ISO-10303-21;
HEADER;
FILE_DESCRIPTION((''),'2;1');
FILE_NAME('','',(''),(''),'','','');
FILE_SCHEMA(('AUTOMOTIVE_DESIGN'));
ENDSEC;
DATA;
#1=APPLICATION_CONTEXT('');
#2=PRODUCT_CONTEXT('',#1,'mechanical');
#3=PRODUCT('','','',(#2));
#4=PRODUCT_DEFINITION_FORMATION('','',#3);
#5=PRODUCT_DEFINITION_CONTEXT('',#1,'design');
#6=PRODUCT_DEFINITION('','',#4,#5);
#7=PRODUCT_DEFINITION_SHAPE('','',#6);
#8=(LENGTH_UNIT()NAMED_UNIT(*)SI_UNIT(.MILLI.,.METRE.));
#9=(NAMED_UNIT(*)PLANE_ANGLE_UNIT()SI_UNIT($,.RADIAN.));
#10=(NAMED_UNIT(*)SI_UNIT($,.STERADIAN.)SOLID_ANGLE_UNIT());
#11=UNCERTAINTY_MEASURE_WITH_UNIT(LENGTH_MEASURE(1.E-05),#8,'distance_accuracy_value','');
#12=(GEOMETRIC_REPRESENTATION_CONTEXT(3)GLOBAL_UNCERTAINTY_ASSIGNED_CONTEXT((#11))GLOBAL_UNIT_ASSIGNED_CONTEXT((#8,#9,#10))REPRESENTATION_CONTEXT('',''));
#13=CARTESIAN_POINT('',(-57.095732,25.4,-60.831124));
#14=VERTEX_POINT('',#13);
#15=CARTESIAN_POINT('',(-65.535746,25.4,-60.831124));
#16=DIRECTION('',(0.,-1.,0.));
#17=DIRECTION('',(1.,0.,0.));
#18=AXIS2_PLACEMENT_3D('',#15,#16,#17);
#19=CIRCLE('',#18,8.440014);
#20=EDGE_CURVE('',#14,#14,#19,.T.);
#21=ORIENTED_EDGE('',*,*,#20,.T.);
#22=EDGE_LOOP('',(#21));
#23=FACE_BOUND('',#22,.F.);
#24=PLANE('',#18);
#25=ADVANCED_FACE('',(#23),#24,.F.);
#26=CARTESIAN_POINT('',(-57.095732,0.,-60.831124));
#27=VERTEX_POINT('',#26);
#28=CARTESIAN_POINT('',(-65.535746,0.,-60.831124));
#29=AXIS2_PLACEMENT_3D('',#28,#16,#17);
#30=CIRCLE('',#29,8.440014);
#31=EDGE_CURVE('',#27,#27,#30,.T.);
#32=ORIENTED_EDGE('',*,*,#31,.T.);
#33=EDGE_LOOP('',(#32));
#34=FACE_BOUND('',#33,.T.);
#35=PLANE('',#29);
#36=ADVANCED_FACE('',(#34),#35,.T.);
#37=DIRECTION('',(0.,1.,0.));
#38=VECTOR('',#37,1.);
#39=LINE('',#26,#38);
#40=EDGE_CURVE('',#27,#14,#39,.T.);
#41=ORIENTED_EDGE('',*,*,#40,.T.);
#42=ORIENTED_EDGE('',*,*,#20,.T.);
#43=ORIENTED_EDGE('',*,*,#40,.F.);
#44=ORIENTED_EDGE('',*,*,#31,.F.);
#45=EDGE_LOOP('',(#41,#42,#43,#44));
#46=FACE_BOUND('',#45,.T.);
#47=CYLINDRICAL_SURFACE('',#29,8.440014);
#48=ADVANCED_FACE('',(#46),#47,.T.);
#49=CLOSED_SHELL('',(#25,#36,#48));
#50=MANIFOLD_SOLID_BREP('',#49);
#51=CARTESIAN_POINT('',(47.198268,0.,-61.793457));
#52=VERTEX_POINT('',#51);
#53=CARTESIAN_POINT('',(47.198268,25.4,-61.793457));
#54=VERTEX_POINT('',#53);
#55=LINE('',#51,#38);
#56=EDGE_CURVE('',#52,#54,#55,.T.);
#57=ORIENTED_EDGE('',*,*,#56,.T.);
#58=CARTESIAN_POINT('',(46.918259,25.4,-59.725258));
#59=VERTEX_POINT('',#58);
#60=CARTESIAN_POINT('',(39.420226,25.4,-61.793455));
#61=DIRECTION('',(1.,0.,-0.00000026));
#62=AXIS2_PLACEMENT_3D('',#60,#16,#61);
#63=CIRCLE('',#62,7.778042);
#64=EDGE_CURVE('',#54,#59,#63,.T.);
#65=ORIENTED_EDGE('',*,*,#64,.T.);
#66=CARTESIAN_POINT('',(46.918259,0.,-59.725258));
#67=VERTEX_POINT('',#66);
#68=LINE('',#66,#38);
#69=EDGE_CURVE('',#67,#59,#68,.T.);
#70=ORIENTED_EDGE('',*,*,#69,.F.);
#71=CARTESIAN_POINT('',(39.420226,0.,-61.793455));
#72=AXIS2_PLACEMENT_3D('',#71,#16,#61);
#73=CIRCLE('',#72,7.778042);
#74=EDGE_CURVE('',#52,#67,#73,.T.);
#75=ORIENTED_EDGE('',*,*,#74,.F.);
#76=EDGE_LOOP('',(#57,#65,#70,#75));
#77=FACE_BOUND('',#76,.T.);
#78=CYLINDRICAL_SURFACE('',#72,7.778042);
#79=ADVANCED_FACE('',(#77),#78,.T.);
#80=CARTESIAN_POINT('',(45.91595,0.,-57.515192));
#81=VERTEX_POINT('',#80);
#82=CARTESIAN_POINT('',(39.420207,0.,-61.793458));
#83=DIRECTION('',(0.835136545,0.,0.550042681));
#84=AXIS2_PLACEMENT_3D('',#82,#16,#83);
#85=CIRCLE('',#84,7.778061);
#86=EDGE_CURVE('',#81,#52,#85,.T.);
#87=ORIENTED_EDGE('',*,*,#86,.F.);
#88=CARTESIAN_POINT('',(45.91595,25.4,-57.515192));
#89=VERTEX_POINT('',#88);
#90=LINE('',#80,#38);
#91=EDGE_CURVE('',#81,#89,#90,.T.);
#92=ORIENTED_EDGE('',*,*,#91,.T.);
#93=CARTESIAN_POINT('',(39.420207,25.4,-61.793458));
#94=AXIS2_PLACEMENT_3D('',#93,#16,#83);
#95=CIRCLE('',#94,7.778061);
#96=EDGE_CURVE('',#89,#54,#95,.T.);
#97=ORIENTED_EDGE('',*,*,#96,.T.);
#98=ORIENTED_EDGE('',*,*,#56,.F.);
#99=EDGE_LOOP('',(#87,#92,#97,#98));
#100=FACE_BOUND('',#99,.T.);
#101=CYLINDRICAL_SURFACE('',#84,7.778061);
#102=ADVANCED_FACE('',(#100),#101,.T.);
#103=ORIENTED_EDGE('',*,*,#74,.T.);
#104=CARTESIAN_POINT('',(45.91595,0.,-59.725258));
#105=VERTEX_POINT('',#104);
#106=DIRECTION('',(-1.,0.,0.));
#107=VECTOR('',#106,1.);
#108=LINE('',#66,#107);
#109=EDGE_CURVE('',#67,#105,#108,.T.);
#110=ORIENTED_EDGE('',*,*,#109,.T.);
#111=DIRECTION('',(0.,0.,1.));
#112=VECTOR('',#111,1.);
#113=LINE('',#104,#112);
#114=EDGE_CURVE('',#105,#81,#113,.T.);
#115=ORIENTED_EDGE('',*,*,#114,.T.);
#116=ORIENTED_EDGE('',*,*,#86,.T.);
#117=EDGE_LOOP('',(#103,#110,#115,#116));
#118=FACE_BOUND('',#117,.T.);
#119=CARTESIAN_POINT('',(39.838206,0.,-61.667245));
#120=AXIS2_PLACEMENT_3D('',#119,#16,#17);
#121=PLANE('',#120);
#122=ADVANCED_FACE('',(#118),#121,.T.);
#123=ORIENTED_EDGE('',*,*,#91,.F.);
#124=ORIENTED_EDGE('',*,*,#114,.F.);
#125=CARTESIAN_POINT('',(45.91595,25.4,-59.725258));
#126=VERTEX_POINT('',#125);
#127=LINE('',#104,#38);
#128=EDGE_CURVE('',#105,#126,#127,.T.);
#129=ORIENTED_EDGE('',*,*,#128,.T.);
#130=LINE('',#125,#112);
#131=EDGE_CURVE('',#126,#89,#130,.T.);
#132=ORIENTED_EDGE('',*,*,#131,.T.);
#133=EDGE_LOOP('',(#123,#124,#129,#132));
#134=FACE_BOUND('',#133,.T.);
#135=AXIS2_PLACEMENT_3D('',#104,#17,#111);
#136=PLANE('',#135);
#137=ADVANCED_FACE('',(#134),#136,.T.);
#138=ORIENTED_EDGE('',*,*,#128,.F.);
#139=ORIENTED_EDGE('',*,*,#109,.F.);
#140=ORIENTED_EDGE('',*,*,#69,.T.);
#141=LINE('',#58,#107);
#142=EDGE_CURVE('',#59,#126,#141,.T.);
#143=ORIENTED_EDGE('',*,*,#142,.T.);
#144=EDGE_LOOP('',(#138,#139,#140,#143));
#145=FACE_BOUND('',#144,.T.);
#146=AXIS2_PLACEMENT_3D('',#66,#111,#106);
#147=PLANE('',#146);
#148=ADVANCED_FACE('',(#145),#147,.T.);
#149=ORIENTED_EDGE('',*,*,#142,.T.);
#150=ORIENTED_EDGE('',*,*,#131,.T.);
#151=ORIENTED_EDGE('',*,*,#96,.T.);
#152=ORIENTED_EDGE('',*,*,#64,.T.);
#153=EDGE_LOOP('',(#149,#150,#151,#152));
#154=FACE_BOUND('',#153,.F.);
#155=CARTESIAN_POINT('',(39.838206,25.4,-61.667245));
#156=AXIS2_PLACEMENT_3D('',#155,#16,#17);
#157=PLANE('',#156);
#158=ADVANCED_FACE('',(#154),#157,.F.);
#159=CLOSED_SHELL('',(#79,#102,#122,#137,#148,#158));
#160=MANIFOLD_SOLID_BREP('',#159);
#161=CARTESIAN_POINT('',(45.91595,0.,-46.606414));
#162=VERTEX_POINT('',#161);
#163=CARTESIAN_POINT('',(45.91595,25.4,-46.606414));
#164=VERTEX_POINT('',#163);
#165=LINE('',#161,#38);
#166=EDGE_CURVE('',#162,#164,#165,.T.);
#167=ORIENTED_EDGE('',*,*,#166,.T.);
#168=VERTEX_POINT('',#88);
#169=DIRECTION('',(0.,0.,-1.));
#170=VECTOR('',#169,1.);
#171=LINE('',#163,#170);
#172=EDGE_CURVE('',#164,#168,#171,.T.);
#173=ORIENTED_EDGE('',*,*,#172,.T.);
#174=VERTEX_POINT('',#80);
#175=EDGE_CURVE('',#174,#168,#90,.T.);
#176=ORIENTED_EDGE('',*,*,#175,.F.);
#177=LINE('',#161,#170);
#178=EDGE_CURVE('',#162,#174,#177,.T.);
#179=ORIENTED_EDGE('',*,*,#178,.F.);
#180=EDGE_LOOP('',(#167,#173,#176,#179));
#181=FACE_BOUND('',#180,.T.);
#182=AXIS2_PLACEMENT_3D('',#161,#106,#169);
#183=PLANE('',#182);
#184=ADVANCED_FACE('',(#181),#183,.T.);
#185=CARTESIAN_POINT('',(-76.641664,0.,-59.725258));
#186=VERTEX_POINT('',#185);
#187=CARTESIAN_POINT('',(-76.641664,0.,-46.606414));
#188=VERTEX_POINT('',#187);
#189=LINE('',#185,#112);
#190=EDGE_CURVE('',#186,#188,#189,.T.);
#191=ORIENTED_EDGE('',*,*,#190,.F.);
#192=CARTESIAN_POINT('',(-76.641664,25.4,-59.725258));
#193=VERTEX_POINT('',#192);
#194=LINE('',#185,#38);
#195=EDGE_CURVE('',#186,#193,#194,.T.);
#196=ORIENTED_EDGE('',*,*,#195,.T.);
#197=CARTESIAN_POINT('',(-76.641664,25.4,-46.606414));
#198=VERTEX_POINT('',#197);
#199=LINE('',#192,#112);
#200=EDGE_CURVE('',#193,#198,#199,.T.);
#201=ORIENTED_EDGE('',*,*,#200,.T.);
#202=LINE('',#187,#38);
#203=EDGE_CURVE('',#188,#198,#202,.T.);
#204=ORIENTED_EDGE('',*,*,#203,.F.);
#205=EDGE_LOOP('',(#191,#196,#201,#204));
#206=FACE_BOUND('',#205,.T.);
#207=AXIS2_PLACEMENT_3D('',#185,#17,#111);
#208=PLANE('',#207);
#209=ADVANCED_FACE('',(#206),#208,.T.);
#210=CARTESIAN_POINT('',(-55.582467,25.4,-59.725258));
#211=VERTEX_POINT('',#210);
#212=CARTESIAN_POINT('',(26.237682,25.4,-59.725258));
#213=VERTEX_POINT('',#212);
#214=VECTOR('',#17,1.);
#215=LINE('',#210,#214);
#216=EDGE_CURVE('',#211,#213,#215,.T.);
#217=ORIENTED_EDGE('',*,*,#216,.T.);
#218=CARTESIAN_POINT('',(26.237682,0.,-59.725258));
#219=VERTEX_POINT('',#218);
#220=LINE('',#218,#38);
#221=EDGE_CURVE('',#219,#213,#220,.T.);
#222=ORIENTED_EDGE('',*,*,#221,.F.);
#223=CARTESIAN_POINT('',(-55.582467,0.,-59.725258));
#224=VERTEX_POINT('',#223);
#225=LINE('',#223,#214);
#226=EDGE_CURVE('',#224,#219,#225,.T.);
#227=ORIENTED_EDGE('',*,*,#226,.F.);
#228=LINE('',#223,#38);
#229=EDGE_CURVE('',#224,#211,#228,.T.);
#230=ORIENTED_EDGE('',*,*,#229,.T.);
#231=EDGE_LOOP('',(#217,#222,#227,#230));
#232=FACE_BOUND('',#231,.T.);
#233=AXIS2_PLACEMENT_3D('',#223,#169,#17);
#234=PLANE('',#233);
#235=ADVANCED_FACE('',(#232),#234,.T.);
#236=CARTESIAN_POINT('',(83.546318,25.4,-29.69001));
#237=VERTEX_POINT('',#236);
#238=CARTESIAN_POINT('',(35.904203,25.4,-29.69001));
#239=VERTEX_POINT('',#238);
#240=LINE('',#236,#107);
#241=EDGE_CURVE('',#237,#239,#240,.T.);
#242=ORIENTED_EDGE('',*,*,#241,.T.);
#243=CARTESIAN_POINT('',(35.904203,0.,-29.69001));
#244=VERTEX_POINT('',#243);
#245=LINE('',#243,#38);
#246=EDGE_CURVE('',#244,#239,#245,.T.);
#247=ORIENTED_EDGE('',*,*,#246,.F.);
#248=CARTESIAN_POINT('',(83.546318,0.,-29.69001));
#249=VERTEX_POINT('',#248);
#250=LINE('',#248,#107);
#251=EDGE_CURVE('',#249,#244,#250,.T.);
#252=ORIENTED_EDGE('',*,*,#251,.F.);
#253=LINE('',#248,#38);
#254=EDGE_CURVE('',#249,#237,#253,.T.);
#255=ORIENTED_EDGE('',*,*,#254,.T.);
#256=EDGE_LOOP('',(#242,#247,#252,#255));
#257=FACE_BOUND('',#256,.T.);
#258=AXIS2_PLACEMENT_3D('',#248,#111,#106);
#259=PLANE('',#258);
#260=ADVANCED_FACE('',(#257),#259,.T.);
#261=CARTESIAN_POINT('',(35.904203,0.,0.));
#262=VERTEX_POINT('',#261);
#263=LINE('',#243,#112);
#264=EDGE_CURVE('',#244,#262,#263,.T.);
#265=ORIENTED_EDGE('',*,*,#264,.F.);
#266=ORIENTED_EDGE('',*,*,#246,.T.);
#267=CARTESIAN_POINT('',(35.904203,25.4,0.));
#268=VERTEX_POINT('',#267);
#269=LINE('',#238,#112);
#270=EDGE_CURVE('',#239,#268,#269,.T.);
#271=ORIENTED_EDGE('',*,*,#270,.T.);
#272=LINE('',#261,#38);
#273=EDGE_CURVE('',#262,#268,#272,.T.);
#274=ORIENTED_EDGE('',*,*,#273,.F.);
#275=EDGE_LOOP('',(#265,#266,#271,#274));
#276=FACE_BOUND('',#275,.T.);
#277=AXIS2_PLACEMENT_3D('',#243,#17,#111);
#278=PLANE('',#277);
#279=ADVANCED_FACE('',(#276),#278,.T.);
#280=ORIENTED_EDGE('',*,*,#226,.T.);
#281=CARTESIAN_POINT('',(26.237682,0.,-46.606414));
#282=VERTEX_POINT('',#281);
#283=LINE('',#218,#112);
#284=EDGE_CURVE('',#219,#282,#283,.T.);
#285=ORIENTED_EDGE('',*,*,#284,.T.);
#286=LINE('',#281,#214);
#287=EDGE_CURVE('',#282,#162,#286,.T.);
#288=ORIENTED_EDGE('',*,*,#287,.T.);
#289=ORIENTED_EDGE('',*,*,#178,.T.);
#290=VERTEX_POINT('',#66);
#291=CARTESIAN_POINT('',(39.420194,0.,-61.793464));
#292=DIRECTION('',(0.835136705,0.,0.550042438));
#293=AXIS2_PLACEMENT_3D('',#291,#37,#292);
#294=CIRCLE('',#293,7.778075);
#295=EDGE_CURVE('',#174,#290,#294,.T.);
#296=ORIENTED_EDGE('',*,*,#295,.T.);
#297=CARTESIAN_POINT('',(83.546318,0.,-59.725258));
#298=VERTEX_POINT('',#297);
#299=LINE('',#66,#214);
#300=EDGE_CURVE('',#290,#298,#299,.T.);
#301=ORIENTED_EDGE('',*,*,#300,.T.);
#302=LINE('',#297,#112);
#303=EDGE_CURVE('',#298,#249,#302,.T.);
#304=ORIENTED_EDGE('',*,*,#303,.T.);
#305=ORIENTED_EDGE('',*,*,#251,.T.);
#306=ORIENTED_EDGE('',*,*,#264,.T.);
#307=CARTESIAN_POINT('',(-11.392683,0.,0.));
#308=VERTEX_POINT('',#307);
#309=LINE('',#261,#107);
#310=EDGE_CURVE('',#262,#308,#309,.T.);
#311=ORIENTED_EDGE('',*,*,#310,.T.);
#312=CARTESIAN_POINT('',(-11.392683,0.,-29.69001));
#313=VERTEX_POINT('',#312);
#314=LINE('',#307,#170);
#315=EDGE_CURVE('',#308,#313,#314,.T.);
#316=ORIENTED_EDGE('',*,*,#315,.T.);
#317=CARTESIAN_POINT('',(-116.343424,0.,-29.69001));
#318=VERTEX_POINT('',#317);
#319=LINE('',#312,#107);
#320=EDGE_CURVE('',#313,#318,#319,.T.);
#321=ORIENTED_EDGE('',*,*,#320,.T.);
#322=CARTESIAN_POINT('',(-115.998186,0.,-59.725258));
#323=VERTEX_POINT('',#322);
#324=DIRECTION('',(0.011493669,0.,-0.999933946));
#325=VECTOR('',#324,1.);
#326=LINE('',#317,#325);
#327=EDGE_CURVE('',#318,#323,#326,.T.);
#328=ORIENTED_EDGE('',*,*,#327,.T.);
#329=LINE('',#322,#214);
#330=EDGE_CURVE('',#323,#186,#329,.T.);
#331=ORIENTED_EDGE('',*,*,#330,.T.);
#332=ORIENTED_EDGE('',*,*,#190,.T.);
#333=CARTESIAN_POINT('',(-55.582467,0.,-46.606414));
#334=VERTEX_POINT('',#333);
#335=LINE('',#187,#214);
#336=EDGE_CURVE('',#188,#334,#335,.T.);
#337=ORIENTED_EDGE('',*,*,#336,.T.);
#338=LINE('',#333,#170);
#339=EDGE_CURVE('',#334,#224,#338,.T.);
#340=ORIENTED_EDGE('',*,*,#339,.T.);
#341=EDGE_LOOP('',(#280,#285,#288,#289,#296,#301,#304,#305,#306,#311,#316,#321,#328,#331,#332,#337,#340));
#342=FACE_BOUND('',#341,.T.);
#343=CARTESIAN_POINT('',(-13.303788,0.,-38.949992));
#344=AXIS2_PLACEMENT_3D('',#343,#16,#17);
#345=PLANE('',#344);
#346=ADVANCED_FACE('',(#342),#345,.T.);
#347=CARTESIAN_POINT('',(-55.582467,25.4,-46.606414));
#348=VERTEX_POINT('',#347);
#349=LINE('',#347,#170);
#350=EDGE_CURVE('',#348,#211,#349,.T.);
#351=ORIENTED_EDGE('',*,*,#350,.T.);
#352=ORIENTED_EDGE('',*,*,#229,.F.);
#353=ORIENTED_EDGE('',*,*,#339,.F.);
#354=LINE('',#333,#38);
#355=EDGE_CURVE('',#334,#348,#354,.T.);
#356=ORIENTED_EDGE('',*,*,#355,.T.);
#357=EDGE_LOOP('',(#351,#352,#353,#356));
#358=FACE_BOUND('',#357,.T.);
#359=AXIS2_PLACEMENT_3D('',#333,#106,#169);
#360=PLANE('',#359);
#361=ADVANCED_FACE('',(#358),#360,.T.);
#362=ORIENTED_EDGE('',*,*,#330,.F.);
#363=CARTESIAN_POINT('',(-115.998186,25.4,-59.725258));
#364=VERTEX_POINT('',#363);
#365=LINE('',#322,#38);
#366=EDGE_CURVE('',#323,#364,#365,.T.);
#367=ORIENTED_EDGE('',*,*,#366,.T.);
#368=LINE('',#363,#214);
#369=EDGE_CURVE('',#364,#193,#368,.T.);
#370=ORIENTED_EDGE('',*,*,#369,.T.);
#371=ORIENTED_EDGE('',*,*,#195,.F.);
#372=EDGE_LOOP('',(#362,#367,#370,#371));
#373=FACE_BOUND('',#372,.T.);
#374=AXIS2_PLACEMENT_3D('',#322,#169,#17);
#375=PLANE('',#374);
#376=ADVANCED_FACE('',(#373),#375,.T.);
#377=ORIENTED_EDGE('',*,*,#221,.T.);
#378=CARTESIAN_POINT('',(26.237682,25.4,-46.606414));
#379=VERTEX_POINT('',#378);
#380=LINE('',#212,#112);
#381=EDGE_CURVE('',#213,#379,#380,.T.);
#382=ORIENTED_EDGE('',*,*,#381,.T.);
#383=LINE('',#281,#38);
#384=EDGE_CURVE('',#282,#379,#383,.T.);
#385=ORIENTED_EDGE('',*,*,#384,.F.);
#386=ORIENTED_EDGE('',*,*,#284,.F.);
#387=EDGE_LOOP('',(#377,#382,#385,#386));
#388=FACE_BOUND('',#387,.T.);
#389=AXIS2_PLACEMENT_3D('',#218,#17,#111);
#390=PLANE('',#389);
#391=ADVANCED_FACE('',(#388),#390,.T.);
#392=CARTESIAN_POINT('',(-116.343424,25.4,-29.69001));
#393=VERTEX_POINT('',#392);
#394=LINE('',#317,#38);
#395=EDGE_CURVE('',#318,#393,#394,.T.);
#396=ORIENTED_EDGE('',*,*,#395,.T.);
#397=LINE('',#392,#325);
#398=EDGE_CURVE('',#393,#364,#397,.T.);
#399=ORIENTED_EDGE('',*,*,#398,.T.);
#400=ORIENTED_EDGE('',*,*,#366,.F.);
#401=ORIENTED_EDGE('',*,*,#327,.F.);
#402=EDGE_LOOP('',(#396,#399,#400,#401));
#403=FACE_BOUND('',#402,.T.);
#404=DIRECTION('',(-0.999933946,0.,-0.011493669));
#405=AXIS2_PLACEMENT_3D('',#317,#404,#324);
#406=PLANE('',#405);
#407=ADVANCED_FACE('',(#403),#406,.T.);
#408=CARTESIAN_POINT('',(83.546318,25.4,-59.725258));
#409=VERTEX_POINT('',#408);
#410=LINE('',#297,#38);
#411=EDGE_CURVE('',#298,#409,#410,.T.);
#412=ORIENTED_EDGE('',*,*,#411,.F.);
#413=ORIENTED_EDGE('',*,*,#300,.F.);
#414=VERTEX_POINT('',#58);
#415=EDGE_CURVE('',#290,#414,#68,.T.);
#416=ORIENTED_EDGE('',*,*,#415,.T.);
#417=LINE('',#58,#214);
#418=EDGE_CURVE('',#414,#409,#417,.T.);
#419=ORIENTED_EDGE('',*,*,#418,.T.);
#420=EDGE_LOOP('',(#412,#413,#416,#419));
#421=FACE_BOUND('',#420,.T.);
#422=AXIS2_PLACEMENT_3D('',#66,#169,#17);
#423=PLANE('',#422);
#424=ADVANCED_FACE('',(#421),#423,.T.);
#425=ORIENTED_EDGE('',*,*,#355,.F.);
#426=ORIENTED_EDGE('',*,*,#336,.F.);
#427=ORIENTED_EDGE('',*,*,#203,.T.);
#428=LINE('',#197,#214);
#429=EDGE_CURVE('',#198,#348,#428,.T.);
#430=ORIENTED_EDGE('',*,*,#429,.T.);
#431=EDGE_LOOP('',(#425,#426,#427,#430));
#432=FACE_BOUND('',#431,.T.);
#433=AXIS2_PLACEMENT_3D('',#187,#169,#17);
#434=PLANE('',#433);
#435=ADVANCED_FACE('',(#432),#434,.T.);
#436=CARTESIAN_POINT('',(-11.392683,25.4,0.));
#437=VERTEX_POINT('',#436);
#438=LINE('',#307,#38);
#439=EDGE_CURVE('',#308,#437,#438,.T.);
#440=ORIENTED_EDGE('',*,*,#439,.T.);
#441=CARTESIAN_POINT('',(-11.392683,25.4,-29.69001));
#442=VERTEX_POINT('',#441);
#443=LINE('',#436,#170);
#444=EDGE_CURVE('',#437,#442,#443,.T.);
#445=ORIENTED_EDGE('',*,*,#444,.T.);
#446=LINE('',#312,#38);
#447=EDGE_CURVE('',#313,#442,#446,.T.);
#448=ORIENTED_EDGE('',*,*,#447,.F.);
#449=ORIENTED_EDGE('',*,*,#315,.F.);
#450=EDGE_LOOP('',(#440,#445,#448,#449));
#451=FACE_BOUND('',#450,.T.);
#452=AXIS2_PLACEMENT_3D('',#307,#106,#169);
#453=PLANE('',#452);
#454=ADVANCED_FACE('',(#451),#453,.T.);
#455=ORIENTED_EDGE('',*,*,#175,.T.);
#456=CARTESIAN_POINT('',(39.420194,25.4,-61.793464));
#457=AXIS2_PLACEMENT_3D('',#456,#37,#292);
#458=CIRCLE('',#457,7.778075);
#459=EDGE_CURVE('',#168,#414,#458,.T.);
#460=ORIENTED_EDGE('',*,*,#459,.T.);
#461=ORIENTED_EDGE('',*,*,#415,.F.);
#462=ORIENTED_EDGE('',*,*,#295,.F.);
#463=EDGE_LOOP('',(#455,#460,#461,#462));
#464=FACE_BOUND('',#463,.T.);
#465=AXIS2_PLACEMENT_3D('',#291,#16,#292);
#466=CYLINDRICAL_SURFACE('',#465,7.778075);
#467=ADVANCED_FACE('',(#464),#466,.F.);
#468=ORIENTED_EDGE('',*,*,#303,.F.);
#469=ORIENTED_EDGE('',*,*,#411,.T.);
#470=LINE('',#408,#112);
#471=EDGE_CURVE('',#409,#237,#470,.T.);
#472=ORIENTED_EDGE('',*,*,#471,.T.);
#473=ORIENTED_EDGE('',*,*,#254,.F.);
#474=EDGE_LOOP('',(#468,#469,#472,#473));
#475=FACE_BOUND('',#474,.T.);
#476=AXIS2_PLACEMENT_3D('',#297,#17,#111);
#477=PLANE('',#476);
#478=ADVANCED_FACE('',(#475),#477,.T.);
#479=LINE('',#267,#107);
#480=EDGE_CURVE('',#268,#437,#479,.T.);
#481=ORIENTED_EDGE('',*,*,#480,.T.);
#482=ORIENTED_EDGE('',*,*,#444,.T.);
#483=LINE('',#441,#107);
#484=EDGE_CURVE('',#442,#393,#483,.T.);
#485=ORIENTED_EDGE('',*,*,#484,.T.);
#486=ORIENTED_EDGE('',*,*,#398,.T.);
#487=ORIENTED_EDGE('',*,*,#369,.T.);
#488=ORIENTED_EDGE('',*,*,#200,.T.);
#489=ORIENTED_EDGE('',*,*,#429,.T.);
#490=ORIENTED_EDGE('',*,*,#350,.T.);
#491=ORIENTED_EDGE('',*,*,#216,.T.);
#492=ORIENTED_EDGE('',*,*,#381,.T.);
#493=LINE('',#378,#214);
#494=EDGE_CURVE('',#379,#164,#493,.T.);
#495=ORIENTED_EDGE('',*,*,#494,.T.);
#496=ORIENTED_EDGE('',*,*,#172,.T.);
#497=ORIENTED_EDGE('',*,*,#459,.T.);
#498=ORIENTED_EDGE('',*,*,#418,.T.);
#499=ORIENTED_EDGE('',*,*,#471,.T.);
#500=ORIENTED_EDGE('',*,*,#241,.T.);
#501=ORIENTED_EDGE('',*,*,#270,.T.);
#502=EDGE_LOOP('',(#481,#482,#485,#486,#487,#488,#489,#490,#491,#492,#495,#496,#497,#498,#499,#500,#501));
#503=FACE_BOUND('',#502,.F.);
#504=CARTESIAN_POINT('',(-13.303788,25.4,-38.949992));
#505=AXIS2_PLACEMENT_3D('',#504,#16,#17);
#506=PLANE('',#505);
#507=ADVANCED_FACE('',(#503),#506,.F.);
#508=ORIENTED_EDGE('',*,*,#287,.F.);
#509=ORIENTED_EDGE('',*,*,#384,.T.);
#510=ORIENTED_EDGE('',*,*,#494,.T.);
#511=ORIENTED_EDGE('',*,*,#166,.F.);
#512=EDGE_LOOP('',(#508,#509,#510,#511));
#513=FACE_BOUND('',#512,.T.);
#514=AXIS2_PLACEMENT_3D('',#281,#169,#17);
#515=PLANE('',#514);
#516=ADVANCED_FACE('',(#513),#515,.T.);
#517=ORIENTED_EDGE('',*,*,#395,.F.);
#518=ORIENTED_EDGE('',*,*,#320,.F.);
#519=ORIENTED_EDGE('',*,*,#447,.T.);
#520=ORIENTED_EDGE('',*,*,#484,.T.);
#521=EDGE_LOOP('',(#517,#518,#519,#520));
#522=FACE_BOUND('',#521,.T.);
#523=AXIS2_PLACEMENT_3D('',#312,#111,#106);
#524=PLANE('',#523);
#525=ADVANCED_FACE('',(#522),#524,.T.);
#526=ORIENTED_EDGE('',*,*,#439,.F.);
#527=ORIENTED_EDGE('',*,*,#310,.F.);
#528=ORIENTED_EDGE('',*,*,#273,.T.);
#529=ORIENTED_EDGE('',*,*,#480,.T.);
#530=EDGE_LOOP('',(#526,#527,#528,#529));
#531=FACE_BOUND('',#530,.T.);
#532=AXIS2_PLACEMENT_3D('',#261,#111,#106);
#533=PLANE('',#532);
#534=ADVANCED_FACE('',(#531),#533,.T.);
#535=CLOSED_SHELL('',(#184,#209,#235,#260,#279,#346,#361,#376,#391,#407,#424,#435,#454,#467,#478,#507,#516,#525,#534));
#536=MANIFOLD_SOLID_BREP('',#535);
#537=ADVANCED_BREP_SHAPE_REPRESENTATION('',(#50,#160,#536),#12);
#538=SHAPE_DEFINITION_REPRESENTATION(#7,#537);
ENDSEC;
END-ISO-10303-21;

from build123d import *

# Parameters (mm, degrees)
F0_R     = 8.440014
F1_DEPTH = 25.4


with BuildPart() as f1:
    # F0 (on Front) → F1 (new body)
    with BuildSketch(Plane.XZ):
        with BuildLine():
            Line((-116.343424, -29.69001), (-115.998186, -59.725258))
            Line((-115.998186, -59.725258), (-76.641664, -59.725258))
            Line((-76.641664, -59.725258), (-76.641664, -46.606414))
            Line((-76.641664, -46.606414), (-55.582467, -46.606414))
            Line((-55.582467, -46.606414), (-55.582467, -59.725258))
            Line((-55.582467, -59.725258), (26.237682, -59.725258))
            Line((26.237682, -59.725258), (26.237682, -46.606414))
            Line((26.237682, -46.606414), (45.91595, -46.606414))
            Line((45.91595, -46.606414), (45.91595, -57.515192))
            ThreePointArc((45.91595, -57.515192), (46.503827, -58.580895), (46.918259, -59.725258))
            Line((46.918259, -59.725258), (83.546318, -59.725258))
            Line((83.546318, -59.725258), (83.546318, -29.69001))
            Line((83.546318, -29.69001), (35.904203, -29.69001))
            Line((35.904203, -29.69001), (35.904203, 0))
            Line((35.904203, 0), (-11.392683, 0))
            Line((-11.392683, 0), (-11.392683, -29.69001))
            Line((-11.392683, -29.69001), (-116.343424, -29.69001))
        make_face()
        with BuildLine():
            Line((45.91595, -59.725258), (45.91595, -57.515192))
            ThreePointArc((45.91595, -57.515192), (31.969619, -64.02661), (47.198268, -61.793457))
            ThreePointArc((47.198268, -61.793457), (47.127948, -60.749923), (46.918259, -59.725258))
            Line((46.918259, -59.725258), (45.91595, -59.725258))
        make_face()
        with Locations((-65.535746, -60.831124)):
            Circle(F0_R)
    extrude(amount=-F1_DEPTH)


solid = f1.part
